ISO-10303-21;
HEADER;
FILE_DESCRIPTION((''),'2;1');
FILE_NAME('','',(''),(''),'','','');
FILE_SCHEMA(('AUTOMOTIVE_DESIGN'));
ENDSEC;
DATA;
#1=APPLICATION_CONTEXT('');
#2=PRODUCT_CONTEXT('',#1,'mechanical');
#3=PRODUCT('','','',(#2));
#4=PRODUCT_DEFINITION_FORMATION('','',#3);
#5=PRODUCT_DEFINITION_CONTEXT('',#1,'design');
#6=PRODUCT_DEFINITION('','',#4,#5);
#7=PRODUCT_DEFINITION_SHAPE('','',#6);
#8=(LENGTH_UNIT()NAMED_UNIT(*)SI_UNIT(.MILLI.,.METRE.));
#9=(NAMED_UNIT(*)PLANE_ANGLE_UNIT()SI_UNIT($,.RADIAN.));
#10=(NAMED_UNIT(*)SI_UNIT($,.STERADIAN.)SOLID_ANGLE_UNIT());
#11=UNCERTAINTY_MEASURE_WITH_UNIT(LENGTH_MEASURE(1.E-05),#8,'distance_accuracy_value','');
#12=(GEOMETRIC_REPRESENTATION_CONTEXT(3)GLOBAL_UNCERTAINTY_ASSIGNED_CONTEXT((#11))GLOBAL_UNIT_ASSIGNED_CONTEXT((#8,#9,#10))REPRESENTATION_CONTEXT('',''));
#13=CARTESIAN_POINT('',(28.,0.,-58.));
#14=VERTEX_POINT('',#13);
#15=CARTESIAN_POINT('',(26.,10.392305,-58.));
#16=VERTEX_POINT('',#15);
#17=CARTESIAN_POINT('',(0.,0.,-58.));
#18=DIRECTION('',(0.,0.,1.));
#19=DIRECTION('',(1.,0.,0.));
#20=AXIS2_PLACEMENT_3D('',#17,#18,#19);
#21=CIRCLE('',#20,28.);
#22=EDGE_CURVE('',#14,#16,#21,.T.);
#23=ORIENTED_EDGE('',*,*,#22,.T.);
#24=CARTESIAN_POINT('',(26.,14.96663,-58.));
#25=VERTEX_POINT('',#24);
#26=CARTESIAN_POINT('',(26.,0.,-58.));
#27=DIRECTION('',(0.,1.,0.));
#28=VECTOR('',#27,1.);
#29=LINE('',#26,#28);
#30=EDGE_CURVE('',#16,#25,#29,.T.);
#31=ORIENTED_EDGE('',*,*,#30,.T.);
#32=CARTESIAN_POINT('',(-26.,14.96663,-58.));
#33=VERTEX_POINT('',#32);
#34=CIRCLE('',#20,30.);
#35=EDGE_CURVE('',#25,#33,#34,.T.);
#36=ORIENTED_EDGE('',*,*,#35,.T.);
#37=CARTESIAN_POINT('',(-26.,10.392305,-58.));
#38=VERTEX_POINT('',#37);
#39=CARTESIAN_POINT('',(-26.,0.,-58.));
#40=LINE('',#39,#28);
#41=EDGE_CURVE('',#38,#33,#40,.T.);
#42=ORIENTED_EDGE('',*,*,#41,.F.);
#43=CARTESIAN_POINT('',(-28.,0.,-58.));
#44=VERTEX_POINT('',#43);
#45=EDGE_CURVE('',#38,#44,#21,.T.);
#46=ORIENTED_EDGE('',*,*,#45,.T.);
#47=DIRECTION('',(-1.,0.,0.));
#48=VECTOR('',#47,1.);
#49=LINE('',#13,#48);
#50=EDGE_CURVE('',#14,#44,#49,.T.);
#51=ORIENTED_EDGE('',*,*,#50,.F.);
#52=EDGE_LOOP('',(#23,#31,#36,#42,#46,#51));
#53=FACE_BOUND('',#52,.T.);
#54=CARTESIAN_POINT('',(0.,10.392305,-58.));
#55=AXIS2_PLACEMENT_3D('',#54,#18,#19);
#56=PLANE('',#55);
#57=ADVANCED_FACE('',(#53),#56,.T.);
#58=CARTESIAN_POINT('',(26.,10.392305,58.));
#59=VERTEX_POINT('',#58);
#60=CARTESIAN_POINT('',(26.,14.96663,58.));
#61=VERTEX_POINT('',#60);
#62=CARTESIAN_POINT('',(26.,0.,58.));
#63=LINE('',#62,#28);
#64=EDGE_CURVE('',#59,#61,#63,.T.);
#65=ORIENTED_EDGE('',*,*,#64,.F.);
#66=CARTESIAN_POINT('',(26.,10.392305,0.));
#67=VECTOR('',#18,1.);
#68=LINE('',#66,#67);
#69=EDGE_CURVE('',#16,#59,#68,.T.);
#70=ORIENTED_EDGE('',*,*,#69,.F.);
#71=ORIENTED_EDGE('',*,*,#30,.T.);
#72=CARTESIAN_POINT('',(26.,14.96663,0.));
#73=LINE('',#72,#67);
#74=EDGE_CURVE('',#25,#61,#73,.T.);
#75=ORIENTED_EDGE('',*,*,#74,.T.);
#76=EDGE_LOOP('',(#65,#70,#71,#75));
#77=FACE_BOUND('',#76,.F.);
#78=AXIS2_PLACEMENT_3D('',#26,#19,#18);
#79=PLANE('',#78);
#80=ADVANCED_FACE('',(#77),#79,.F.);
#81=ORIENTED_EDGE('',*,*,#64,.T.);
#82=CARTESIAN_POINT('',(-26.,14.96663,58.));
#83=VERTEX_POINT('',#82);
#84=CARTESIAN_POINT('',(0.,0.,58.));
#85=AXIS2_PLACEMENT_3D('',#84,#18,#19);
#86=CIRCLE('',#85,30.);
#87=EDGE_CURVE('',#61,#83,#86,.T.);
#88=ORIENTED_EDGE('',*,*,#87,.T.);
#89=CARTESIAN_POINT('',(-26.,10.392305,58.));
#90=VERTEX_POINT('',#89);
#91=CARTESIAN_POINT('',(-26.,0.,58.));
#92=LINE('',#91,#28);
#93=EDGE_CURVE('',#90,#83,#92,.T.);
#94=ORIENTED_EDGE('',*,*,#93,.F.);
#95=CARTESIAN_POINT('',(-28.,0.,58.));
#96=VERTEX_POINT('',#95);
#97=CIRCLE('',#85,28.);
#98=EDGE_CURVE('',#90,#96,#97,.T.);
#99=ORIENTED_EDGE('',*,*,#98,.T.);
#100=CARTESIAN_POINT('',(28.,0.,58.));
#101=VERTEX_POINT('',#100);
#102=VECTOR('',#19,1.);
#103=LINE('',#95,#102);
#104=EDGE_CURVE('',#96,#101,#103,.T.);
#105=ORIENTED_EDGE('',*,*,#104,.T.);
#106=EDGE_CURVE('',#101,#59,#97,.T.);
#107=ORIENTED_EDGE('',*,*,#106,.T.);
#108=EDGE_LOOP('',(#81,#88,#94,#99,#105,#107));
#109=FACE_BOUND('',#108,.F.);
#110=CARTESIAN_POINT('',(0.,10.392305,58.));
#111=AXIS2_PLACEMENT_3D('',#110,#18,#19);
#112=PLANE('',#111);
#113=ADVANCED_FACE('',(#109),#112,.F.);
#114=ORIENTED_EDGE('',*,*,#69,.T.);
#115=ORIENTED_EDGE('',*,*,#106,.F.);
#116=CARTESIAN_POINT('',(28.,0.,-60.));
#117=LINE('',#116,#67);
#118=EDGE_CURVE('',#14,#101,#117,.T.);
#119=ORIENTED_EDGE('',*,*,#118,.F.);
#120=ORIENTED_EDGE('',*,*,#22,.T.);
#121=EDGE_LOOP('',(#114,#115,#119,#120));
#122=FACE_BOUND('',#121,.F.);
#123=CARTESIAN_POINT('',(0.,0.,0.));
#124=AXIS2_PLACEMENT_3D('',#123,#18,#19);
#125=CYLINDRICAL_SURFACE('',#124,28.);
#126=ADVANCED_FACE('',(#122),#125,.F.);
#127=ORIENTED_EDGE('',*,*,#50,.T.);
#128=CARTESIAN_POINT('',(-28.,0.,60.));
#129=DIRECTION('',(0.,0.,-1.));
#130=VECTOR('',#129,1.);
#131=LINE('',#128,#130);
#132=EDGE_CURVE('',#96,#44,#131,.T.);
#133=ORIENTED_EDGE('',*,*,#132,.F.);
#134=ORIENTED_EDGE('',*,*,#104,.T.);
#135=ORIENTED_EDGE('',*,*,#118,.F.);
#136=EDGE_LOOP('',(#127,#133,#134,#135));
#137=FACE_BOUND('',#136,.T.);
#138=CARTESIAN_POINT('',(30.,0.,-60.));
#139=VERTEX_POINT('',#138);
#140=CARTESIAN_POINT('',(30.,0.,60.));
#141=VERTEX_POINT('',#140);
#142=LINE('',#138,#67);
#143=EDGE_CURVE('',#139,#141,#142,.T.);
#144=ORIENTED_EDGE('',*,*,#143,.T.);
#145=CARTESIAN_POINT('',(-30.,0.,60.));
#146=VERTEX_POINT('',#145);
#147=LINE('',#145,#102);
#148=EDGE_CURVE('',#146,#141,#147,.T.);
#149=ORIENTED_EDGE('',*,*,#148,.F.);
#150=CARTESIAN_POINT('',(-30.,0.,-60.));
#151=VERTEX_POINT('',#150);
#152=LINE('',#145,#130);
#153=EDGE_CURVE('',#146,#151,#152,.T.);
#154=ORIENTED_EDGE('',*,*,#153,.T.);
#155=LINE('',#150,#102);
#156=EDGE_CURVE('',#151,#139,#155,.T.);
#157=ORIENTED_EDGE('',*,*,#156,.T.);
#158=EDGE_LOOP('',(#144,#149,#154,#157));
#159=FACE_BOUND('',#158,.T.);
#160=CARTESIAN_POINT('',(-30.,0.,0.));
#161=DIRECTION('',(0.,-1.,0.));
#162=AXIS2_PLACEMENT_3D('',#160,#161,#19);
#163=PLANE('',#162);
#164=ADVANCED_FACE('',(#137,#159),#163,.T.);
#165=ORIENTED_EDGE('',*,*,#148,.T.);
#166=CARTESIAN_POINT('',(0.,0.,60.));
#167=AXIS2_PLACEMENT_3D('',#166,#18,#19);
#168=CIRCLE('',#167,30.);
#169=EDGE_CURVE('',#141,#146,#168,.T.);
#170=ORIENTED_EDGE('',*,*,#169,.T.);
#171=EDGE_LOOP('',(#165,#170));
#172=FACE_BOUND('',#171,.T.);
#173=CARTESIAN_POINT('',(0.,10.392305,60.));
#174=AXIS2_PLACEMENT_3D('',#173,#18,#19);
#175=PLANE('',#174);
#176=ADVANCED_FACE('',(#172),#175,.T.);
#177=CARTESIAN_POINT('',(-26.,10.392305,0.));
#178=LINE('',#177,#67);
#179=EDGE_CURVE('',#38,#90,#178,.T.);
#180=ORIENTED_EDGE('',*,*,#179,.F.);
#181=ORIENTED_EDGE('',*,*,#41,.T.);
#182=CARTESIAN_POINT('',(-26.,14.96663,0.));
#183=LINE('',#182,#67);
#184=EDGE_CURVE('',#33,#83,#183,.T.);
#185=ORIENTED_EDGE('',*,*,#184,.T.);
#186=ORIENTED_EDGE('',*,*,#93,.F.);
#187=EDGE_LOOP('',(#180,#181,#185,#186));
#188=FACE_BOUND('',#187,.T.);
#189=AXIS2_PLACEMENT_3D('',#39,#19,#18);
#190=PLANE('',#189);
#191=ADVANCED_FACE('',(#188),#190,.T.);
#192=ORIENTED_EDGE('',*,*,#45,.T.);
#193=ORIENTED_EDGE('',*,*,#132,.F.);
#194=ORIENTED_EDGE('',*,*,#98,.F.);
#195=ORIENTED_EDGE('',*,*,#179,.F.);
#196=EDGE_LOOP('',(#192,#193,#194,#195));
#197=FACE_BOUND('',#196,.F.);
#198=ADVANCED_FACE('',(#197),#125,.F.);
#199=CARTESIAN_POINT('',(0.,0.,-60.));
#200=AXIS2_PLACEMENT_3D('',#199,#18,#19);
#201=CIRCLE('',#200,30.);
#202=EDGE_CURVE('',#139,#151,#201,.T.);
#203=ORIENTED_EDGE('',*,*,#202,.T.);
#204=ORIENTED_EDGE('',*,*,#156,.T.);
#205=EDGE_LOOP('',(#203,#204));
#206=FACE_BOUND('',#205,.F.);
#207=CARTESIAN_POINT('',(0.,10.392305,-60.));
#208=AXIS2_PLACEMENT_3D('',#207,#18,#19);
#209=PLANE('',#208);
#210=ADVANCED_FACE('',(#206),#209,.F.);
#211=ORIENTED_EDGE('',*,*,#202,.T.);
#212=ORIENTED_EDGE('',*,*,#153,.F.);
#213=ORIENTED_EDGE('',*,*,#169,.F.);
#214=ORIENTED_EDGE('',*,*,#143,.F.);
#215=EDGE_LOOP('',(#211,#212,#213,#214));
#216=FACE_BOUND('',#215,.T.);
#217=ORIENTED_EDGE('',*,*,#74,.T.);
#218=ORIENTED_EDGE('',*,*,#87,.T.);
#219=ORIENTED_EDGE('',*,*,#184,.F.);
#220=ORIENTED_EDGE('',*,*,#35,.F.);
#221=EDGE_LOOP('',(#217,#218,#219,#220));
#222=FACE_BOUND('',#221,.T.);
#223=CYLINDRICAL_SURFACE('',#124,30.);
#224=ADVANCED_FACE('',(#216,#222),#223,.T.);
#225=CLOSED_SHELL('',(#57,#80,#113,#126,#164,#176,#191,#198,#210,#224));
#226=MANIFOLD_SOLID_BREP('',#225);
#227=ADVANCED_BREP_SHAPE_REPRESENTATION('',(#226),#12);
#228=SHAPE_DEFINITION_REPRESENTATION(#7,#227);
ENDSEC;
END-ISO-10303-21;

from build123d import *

# Parameters (mm, degrees)
F1_DEPTH = 60
F2_T     = -2
F3_W     = 52
F3_H     = 116
F4_DEPTH = 35


with BuildPart() as f1:
    # F0 (on Top) → F1 (new body, symmetric)
    with BuildSketch(Plane.XY):
        with BuildLine():
            Line((-30, 0), (30, 0))
            ThreePointArc((30, 0), (0, 30), (-30, 0))
        make_face()
    extrude(amount=F1_DEPTH, both=True)

    # F2
    f2_openings = [f1.faces().sort_by_distance(p)[0] for p in [
        (0, 0, 0),
    ]]
    offset(amount=F2_T, openings=f2_openings)

    # F3 (on Front) → F4 (cut)
    with BuildSketch(Plane.XZ):
        Rectangle(F3_W, F3_H)
    extrude(amount=-F4_DEPTH, mode=Mode.SUBTRACT)


solid = f1.part
